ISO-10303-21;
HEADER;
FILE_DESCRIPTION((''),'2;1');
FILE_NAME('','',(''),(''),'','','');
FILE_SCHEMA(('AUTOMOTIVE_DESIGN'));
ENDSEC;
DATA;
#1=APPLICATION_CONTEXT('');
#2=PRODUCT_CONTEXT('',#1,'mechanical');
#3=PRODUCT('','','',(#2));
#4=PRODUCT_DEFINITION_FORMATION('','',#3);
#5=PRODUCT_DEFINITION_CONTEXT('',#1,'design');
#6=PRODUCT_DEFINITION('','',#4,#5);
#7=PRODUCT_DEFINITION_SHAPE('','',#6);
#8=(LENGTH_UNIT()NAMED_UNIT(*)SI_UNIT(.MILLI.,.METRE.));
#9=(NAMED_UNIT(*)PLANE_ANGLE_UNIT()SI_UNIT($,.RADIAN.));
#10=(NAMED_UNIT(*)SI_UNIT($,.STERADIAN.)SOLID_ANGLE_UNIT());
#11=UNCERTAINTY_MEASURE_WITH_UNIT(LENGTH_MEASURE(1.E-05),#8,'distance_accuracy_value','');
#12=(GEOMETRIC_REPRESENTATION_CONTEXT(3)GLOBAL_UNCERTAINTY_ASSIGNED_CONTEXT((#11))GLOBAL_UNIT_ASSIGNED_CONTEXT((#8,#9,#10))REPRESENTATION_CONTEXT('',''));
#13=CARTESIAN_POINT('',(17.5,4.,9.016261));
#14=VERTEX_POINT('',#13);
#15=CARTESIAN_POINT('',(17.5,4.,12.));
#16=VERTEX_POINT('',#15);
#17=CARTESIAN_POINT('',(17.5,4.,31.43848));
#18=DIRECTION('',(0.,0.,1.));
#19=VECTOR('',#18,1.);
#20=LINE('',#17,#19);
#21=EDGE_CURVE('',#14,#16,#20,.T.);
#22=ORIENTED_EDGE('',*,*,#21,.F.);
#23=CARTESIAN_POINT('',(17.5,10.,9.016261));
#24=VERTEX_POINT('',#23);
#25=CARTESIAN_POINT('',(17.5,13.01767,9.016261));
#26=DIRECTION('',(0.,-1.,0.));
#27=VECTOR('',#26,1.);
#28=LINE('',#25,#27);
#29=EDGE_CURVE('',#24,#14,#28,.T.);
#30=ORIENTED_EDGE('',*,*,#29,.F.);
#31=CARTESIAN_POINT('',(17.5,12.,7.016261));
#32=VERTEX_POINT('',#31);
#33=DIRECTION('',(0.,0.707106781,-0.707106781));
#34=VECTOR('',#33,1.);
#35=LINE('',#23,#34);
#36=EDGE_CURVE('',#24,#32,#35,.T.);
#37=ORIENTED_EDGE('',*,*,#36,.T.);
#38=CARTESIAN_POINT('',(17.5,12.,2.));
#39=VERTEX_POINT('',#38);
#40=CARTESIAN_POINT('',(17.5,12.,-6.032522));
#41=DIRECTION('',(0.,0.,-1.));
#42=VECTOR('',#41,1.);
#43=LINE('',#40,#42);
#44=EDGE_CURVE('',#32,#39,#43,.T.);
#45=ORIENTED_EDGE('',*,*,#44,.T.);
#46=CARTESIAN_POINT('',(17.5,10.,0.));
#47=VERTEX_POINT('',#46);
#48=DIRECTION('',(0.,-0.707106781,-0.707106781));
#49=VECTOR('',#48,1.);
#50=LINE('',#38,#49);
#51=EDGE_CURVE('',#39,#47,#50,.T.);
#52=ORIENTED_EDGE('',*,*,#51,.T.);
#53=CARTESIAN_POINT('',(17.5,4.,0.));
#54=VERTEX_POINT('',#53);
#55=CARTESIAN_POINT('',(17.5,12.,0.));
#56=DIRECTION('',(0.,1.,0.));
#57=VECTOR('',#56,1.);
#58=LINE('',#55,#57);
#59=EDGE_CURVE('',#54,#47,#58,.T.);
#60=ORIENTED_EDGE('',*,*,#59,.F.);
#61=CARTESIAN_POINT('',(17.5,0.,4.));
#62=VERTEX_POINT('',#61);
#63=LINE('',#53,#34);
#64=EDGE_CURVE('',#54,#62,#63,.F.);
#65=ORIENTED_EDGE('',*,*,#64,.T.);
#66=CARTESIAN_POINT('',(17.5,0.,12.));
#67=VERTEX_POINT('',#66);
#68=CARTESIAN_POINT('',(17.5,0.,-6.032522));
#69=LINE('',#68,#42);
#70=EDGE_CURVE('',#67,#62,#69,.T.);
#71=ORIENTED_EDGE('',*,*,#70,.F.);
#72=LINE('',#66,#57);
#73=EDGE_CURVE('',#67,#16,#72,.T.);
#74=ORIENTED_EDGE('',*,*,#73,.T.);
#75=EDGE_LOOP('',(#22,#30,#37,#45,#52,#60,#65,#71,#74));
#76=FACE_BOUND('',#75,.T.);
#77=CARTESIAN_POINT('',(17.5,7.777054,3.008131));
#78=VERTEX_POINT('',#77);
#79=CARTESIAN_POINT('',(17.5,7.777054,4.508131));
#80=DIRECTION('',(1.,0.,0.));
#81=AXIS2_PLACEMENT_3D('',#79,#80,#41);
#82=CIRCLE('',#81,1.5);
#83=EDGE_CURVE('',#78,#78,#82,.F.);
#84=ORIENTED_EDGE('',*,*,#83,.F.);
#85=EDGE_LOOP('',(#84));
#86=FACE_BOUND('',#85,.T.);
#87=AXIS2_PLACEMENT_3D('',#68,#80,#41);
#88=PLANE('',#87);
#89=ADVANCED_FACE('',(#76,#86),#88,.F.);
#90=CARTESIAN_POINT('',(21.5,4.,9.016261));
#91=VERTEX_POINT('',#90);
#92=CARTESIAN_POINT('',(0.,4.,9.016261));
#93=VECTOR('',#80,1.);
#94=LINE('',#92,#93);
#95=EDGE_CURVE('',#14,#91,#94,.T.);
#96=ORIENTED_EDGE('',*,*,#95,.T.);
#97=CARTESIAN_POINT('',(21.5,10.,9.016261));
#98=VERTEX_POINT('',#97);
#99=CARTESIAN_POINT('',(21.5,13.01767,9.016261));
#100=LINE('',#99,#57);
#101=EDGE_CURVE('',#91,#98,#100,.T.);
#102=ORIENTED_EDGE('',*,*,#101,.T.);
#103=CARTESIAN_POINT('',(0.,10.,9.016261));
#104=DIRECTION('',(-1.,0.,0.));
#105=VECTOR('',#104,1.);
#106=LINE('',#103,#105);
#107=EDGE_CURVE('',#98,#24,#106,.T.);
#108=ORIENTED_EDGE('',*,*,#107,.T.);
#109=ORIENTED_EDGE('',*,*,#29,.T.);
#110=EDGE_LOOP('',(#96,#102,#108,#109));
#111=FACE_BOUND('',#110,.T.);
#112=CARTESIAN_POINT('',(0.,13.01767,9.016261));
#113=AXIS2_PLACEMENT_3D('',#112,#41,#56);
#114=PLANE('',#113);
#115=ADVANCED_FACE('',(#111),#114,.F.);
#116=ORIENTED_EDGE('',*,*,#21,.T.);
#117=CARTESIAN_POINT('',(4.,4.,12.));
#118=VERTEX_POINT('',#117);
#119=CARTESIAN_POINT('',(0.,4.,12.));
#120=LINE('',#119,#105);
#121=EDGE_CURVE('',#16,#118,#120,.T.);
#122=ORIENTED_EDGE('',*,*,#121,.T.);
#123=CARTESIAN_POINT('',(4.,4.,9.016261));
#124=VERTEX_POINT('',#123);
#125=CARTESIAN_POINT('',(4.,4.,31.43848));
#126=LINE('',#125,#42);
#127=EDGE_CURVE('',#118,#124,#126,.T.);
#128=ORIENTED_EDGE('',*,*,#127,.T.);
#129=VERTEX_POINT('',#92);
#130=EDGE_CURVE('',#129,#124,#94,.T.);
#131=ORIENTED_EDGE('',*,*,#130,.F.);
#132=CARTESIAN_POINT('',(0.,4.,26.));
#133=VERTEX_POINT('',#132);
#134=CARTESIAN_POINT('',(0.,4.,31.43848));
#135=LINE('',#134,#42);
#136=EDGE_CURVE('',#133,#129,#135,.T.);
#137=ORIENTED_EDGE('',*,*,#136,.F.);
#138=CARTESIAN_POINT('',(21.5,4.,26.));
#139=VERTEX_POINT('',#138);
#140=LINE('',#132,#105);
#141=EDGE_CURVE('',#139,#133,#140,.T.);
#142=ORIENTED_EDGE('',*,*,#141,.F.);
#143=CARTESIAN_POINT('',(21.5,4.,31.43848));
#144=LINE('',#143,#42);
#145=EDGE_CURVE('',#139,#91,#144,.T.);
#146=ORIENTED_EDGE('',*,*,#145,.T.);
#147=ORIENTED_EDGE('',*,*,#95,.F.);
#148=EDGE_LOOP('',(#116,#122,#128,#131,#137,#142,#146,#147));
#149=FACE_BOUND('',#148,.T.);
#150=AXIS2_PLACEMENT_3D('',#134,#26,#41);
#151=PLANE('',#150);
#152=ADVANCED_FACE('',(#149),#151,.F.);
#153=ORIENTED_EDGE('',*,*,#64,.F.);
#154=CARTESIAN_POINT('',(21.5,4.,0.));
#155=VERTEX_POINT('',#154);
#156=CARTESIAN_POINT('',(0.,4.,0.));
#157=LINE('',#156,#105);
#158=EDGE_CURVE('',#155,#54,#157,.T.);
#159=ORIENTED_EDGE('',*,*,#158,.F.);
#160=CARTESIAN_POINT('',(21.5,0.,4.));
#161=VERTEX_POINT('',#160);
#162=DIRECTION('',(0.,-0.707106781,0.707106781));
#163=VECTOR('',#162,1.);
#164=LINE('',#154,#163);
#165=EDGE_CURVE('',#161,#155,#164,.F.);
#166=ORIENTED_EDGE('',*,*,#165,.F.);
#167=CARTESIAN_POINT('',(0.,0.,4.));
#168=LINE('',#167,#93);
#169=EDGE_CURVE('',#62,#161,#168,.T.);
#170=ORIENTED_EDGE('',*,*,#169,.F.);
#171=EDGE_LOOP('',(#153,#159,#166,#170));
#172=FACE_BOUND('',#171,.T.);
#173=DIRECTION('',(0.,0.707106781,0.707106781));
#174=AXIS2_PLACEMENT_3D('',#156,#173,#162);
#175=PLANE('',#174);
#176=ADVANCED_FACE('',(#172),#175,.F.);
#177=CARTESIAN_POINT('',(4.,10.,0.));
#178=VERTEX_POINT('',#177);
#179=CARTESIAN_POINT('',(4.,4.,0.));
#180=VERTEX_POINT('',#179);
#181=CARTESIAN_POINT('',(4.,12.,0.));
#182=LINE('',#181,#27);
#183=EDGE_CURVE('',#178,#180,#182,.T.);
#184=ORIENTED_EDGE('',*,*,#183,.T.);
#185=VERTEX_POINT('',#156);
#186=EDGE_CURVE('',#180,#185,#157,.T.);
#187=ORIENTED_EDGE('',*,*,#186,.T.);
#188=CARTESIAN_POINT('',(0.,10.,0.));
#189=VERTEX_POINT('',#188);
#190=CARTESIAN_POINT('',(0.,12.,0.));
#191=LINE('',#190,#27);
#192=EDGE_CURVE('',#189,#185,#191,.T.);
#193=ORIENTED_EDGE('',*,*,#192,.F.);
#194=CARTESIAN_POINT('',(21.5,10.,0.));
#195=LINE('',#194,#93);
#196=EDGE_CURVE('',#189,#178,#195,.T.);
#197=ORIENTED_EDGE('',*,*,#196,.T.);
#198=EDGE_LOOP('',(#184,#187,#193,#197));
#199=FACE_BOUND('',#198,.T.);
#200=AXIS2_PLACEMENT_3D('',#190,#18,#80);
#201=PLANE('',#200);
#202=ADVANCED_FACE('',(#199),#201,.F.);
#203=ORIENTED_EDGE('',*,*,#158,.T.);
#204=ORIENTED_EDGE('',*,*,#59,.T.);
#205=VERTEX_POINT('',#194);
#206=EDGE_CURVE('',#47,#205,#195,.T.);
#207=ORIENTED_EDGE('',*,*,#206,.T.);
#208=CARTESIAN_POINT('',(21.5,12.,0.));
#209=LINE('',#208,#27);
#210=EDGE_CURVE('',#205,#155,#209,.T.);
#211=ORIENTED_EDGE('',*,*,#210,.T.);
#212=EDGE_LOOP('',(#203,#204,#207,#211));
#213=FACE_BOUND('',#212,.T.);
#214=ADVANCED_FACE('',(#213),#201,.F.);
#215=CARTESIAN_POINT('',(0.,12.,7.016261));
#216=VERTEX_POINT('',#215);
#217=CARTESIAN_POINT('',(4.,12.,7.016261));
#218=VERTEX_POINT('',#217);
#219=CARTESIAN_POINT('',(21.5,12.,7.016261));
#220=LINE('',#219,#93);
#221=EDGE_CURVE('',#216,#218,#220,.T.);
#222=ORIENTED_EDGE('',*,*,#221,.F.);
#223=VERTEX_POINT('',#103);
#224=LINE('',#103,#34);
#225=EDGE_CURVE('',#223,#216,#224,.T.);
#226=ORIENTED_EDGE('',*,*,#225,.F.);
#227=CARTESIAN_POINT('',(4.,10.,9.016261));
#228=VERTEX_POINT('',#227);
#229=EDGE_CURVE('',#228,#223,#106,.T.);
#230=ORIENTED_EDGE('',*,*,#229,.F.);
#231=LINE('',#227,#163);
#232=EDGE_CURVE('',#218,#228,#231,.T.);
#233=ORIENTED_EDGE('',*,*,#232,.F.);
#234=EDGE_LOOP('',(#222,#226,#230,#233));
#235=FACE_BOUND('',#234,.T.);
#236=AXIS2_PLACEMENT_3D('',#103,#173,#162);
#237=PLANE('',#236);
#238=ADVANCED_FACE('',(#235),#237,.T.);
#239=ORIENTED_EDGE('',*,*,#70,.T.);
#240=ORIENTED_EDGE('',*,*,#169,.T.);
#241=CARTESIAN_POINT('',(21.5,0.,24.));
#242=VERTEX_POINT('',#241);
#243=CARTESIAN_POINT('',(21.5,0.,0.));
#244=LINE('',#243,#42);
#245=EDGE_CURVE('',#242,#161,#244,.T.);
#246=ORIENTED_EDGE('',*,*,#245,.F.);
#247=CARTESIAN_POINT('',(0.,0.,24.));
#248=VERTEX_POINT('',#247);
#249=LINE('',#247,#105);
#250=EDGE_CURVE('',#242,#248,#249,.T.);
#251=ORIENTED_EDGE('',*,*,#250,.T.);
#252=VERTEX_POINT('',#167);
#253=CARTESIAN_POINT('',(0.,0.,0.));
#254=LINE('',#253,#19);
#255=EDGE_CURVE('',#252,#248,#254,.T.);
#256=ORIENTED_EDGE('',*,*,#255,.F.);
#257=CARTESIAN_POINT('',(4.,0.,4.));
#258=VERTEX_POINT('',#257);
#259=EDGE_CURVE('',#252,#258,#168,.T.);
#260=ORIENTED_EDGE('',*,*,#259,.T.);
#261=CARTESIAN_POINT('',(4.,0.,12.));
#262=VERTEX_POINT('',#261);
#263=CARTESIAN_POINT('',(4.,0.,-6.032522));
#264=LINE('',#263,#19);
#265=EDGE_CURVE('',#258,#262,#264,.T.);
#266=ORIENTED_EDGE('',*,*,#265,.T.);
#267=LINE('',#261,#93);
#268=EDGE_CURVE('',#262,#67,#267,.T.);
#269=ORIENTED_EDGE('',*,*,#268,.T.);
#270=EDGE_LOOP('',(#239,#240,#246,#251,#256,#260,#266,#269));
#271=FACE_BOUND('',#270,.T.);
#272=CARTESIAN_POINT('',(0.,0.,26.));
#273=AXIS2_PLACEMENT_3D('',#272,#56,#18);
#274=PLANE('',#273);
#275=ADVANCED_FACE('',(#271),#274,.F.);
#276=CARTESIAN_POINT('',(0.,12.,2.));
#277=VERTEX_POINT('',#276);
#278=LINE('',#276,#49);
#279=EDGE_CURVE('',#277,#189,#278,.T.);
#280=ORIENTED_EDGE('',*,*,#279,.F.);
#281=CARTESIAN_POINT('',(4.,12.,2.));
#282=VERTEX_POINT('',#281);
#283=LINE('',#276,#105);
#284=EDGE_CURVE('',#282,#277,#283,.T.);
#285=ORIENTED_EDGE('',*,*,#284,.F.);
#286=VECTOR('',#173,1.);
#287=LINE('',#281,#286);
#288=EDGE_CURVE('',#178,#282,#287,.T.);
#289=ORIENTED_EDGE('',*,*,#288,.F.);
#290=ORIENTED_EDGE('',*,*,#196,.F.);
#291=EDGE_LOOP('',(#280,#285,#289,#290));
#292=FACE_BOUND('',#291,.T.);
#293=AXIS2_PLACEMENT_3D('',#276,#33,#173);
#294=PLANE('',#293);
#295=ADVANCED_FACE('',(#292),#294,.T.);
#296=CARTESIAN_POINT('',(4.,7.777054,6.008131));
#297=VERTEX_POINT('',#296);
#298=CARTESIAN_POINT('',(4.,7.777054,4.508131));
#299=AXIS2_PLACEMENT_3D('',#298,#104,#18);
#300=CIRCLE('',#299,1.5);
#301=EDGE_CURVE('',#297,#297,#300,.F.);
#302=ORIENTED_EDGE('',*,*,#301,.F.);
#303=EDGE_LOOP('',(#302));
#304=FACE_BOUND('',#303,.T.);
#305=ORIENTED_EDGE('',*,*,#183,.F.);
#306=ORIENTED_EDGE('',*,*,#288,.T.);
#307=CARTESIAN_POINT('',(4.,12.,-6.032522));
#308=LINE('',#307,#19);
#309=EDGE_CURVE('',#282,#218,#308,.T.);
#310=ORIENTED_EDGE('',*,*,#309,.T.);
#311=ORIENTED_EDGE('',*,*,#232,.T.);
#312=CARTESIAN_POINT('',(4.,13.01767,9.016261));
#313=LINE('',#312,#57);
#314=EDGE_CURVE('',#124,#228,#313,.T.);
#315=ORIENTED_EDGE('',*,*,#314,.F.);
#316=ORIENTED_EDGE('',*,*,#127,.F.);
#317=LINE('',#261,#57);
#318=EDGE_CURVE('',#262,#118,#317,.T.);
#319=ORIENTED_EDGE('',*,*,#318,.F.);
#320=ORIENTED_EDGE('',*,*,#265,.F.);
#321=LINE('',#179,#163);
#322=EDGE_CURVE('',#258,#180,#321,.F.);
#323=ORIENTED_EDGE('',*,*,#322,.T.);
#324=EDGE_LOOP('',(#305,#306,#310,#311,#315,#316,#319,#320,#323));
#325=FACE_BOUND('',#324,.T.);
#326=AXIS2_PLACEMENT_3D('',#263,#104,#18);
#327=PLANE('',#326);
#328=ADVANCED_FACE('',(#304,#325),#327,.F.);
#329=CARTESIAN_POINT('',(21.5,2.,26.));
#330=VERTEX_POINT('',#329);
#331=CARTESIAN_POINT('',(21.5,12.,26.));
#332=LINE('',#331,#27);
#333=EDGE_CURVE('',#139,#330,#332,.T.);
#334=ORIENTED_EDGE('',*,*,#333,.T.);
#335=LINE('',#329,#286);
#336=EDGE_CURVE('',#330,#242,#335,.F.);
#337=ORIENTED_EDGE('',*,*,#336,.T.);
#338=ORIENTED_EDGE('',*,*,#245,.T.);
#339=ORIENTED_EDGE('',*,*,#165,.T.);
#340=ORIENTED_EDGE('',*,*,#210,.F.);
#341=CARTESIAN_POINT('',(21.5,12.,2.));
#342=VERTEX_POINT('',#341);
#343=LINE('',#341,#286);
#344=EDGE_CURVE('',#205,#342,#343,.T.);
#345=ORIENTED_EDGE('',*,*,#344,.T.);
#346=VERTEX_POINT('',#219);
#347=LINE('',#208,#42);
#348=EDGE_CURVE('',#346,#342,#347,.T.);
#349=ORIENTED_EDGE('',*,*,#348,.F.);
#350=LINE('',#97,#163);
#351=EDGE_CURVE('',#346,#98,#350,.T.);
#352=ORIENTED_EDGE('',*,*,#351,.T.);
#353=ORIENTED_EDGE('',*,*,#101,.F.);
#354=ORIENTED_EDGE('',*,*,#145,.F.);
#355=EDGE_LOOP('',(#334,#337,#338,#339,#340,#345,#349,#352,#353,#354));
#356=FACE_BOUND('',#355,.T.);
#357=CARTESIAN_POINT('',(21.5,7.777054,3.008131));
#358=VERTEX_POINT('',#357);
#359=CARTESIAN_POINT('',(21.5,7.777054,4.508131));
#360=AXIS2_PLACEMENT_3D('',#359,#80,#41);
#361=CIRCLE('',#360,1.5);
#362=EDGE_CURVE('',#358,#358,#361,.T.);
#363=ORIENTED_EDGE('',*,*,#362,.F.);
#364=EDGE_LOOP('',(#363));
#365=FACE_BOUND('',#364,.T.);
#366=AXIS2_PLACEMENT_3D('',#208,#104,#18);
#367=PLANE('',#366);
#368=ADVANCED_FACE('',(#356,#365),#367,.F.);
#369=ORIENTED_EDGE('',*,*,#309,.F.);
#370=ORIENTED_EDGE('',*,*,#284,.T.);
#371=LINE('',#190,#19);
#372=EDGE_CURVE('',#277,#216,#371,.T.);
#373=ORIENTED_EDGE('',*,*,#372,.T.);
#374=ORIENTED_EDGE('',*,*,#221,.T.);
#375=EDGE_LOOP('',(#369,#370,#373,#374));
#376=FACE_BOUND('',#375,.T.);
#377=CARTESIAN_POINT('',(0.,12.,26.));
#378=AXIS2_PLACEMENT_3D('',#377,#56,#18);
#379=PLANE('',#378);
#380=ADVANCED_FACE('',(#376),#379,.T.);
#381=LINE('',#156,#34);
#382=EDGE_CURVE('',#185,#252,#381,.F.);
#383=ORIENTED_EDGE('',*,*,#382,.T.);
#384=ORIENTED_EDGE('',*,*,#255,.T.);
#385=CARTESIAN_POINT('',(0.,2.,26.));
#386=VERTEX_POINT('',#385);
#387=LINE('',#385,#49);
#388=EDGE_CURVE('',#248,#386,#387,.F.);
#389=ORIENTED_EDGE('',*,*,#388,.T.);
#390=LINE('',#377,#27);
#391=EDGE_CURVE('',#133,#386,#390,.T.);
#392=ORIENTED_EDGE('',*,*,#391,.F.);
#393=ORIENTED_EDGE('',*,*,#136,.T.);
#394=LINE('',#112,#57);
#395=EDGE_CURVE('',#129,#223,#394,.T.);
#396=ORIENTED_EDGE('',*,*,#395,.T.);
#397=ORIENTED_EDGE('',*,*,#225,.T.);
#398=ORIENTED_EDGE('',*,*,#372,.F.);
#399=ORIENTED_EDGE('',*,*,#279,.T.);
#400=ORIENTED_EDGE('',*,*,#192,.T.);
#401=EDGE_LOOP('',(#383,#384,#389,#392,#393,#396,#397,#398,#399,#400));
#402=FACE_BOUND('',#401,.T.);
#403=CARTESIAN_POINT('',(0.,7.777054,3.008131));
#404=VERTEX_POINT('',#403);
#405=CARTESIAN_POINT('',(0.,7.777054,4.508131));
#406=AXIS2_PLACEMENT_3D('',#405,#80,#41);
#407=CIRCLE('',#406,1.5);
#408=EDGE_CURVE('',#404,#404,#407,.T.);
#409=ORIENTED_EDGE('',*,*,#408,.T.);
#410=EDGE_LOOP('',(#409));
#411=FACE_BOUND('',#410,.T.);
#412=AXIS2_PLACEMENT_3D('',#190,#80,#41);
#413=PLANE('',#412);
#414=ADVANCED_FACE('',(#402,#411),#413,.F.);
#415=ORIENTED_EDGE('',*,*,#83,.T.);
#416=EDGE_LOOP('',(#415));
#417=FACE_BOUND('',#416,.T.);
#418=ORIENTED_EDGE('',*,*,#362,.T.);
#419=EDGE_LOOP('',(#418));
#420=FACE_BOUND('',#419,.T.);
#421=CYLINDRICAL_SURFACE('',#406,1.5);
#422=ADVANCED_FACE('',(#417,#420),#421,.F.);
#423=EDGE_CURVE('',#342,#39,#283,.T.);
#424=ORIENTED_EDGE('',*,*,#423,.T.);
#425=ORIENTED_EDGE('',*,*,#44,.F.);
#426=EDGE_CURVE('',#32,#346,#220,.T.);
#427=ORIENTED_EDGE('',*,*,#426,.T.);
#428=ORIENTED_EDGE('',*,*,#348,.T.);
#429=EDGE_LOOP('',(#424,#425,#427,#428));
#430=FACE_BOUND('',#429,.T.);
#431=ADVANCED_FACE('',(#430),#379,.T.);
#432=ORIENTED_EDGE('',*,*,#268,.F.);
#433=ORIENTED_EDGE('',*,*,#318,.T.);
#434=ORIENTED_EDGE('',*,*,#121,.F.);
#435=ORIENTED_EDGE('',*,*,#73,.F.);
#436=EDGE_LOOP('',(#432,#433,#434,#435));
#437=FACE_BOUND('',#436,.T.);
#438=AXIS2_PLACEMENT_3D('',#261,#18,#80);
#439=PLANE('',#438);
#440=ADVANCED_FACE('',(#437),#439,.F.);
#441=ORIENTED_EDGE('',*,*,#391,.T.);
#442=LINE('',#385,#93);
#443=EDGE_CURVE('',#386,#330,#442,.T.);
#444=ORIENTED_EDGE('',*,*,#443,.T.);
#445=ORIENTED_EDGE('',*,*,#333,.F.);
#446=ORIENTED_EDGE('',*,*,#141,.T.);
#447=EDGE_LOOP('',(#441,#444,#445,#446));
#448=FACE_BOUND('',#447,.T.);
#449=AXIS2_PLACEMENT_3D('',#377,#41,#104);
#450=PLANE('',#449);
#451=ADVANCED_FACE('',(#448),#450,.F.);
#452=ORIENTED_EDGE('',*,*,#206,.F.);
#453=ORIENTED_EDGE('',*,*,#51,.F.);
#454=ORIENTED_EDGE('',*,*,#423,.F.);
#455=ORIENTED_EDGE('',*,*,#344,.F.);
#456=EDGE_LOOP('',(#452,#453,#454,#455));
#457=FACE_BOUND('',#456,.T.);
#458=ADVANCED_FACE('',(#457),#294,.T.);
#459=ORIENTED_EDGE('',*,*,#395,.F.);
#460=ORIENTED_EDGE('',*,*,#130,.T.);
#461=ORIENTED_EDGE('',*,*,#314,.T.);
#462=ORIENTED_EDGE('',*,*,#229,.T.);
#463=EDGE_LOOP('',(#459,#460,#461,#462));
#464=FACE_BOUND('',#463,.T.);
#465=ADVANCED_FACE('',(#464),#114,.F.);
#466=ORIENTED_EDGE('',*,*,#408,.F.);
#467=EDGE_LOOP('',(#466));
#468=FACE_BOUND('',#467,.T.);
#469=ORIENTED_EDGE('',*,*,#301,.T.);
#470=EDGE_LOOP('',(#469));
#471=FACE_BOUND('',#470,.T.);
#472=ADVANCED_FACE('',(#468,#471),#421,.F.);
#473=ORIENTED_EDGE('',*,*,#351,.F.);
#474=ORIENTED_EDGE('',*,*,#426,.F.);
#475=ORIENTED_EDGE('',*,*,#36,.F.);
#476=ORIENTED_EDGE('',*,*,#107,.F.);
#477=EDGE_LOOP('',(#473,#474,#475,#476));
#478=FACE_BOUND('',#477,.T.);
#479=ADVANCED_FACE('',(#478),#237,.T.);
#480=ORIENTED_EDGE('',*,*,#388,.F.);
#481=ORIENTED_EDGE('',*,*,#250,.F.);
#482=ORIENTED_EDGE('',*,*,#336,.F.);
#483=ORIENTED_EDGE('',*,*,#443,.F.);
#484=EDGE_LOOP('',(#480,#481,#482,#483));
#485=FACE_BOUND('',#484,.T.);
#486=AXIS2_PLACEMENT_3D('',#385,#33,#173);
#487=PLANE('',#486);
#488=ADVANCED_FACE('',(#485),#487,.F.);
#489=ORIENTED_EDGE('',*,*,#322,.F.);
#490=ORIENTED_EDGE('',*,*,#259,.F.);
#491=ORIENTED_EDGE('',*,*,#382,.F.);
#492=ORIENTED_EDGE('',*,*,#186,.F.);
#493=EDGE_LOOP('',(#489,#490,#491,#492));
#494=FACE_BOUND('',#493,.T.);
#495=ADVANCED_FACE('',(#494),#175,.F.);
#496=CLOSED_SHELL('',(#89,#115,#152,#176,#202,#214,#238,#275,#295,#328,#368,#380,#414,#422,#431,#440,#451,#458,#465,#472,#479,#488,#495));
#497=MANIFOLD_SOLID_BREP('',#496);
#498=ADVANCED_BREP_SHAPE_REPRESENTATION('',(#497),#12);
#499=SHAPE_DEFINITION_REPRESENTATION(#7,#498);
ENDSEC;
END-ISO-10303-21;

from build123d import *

# Parameters (mm, degrees)
SKETCH_1_W          = 21.5
SKETCH_1_H          = 26
EXTRUDE_1_DEPTH     = 12
SKETCH_2_W          = 22.422219076
SKETCH_2_H          = 9.017669608
CUT_EXTRUDE_1_DEPTH = 36.80851854
CHAMFER_1_SIZE      = 2
CHAMFER_2_SIZE      = 4
SKETCH_3_R          = 1.5
CUT_EXTRUDE_2_DEPTH = 36.80851854
SKETCH_4_W          = 13.5
SKETCH_4_H          = 18.032522109
CUT_EXTRUDE_3_DEPTH = 36.80851854
CHAMFER_3_SIZE      = 2


with BuildPart() as part:
    # Эскиз1 → Вытянуть1 (new body)
    with BuildSketch(Plane(origin=(0, 0, 0), x_dir=(1, 0, 0), z_dir=(0, 1, 0))):
        with Locations((10.75, -13)):
            Rectangle(SKETCH_1_W, SKETCH_1_H)
    extrude(amount=EXTRUDE_1_DEPTH)

    # Эскиз2 → Вырез-Вытянуть1 (cut, through all)
    with BuildSketch(Plane(origin=(21.5, 0, 0), x_dir=(0, 0, -1), z_dir=(1, 0, 0))):
        with Locations((-20.227370593, 8.508834804)):
            Rectangle(SKETCH_2_W, SKETCH_2_H)
    extrude(amount=-CUT_EXTRUDE_1_DEPTH, mode=Mode.SUBTRACT)

    # Фаска1
    chamfer_1_edges = [part.edges().sort_by_distance(p)[0] for p in [
        (10.75, 12, 0),
        (10.75, 12, 9.016261055),
    ]]
    chamfer(chamfer_1_edges, length=CHAMFER_1_SIZE)

    # Фаска2
    chamfer_2_edges = [part.edges().sort_by_distance(p)[0] for p in [
        (10.75, 0, 0),
    ]]
    chamfer(chamfer_2_edges, length=CHAMFER_2_SIZE)

    # Эскиз3 → Вырез-Вытянуть2 (cut, through all)
    with BuildSketch(Plane(origin=(21.5, 0, 0), x_dir=(0, 0, -1), z_dir=(1, 0, 0))):
        with Locations((-4.508130527, 7.777054312)):
            Circle(SKETCH_3_R)
    extrude(amount=-CUT_EXTRUDE_2_DEPTH, mode=Mode.SUBTRACT)

    # Эскиз4 → Вырез-Вытянуть3 (cut, through all)
    with BuildSketch(Plane(origin=(0, 12, 0), x_dir=(1, 0, 0), z_dir=(0, 1, 0))):
        with Locations((10.75, -2.983738945)):
            Rectangle(SKETCH_4_W, SKETCH_4_H)
    extrude(amount=-CUT_EXTRUDE_3_DEPTH, mode=Mode.SUBTRACT)

    # Фаска3
    chamfer_3_edges = [part.edges().sort_by_distance(p)[0] for p in [
        (10.75, 0, 26),
    ]]
    chamfer(chamfer_3_edges, length=CHAMFER_3_SIZE)


solid = part.part
